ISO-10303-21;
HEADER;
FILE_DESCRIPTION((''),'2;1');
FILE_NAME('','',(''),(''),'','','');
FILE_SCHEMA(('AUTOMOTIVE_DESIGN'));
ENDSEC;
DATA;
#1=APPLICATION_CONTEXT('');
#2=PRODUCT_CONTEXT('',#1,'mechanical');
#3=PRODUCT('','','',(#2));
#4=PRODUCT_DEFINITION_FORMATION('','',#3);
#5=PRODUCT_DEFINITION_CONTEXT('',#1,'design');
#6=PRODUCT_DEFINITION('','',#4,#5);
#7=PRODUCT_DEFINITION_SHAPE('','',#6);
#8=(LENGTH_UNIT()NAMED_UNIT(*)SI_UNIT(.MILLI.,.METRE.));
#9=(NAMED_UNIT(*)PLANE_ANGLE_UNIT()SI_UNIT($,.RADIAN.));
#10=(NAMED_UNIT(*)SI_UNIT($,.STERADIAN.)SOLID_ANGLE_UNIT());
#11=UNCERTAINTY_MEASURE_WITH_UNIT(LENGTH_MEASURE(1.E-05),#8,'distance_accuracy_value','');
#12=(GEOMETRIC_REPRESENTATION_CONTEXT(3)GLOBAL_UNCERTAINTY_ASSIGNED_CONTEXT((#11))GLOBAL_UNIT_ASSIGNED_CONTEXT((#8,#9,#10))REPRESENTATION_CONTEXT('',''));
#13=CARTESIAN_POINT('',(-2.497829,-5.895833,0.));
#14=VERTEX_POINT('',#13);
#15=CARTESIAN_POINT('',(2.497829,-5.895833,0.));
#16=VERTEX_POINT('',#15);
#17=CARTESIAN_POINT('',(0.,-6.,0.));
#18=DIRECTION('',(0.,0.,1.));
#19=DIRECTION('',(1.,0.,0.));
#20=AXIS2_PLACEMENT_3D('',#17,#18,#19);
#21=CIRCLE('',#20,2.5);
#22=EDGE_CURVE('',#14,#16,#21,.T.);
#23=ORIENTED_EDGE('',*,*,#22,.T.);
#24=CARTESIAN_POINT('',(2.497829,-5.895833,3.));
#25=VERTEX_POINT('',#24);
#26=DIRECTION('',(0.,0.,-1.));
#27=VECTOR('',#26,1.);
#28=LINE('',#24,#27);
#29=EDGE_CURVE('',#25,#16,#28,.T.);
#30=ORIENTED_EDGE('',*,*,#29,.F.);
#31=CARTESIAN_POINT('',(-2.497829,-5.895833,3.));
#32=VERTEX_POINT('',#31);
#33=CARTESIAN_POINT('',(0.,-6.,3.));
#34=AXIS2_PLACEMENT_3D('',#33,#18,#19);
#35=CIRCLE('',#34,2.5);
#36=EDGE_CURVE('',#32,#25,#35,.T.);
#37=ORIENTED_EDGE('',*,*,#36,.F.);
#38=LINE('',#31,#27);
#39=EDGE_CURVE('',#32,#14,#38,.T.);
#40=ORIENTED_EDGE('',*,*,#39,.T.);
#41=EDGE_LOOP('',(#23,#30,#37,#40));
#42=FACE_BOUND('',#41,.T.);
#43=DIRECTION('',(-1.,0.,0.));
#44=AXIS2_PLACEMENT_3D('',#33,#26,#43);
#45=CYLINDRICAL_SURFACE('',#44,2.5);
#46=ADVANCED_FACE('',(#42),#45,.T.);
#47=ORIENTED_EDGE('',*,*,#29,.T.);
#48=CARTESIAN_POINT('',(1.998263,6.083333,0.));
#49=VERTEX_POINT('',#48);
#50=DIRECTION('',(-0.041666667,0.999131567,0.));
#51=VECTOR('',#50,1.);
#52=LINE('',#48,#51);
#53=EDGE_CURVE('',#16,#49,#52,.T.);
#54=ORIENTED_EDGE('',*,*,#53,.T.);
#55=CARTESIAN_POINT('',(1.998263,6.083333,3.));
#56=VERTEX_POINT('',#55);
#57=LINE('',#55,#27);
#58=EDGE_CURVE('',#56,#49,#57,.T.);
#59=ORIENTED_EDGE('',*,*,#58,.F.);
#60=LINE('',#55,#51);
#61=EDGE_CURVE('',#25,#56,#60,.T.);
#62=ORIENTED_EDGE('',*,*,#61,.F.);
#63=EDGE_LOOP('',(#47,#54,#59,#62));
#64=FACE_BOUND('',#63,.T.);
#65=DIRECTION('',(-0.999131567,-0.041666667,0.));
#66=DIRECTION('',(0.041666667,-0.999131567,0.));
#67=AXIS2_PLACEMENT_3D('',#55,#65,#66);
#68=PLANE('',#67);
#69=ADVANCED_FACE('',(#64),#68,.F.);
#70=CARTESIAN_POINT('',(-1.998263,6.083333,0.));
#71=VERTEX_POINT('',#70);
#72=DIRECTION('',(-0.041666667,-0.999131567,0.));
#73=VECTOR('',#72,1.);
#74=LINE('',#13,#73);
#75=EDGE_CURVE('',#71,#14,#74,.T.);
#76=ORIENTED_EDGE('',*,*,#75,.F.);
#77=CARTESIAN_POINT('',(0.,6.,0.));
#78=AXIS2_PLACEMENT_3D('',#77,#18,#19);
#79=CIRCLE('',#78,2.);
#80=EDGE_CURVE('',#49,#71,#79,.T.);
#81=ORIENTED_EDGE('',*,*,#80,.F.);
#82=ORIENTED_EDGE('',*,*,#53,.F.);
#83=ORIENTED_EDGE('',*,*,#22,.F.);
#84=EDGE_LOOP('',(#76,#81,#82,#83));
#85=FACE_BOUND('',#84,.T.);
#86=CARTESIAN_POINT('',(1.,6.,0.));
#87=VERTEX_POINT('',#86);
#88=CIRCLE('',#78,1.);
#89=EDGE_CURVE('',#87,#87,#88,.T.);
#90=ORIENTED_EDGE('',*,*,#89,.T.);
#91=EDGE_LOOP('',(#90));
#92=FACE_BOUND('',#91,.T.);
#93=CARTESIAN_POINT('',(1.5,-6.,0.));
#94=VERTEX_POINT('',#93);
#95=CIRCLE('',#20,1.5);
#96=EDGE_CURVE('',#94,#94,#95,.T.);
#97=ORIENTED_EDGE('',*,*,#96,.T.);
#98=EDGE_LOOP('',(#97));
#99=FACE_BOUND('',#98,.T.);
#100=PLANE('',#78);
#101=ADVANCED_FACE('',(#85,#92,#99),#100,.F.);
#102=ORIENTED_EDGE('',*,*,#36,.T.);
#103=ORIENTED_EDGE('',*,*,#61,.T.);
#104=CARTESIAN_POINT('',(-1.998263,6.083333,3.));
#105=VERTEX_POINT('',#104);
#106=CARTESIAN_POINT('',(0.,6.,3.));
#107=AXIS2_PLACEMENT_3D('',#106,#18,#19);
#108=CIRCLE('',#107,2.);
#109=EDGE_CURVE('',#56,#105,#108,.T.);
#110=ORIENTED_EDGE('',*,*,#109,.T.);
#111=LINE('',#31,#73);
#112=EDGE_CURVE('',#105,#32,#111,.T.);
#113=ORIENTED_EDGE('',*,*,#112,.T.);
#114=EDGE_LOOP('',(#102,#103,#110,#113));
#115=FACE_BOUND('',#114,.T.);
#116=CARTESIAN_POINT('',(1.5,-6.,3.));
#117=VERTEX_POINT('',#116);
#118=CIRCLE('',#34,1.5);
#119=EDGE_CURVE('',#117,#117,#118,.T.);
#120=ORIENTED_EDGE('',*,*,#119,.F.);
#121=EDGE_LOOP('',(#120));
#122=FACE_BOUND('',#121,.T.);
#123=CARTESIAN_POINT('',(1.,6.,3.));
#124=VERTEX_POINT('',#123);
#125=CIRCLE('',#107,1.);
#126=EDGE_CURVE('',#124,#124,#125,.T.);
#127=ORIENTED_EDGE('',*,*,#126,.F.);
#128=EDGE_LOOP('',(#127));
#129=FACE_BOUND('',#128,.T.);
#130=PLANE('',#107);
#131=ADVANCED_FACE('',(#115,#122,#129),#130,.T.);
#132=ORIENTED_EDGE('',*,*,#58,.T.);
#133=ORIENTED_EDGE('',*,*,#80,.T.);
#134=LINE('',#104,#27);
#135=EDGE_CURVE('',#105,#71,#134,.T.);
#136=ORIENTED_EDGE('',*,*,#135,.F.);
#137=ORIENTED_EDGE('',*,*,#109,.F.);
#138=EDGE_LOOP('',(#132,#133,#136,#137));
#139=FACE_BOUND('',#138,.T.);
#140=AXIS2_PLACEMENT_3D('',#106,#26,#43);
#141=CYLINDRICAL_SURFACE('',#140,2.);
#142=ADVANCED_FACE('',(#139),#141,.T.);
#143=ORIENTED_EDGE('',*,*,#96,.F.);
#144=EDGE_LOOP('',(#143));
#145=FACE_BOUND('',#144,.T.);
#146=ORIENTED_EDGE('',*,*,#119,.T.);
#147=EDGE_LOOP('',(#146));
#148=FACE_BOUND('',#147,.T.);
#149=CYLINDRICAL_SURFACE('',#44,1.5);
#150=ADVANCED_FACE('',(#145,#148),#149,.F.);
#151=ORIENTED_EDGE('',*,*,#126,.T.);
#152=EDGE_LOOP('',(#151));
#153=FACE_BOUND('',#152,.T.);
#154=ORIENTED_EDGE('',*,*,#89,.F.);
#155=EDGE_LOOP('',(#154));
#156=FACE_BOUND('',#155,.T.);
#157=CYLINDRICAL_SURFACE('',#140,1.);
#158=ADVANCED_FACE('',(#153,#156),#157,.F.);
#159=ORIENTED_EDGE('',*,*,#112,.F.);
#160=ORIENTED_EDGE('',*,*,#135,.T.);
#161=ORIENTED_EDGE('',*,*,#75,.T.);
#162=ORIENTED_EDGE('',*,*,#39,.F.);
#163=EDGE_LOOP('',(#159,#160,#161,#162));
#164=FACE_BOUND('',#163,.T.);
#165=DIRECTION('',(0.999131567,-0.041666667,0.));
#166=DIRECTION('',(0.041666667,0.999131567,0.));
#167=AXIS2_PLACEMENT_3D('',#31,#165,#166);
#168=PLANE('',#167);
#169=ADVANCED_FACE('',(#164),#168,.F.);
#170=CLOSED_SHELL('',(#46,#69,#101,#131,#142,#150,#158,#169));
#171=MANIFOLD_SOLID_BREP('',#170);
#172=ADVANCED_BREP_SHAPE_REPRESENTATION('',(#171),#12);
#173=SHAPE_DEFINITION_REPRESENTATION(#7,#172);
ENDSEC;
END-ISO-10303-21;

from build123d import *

# Parameters (mm, degrees)
SKETCH1_R           = 1
SKETCH1_R_2         = 1.5
BOSS_EXTRUDE1_DEPTH = 3


with BuildPart() as part:
    # Sketch1 → Boss-Extrude1 (new body)
    with BuildSketch(Plane.XY):
        with BuildLine():
            Line((1.998263135, 6.083333333), (2.497828918, -5.895833333))
            ThreePointArc((2.497828918, -5.895833333), (0, -8.5), (-2.497828918, -5.895833333))
            Line((-2.497828918, -5.895833333), (-1.998263135, 6.083333333))
            ThreePointArc((-1.998263135, 6.083333333), (0, 8), (1.998263135, 6.083333333))
        make_face()
        with Locations((0, 6)):
            Circle(SKETCH1_R, mode=Mode.SUBTRACT)
        with Locations((0, -6)):
            Circle(SKETCH1_R_2, mode=Mode.SUBTRACT)
    extrude(amount=BOSS_EXTRUDE1_DEPTH)


solid = part.part
